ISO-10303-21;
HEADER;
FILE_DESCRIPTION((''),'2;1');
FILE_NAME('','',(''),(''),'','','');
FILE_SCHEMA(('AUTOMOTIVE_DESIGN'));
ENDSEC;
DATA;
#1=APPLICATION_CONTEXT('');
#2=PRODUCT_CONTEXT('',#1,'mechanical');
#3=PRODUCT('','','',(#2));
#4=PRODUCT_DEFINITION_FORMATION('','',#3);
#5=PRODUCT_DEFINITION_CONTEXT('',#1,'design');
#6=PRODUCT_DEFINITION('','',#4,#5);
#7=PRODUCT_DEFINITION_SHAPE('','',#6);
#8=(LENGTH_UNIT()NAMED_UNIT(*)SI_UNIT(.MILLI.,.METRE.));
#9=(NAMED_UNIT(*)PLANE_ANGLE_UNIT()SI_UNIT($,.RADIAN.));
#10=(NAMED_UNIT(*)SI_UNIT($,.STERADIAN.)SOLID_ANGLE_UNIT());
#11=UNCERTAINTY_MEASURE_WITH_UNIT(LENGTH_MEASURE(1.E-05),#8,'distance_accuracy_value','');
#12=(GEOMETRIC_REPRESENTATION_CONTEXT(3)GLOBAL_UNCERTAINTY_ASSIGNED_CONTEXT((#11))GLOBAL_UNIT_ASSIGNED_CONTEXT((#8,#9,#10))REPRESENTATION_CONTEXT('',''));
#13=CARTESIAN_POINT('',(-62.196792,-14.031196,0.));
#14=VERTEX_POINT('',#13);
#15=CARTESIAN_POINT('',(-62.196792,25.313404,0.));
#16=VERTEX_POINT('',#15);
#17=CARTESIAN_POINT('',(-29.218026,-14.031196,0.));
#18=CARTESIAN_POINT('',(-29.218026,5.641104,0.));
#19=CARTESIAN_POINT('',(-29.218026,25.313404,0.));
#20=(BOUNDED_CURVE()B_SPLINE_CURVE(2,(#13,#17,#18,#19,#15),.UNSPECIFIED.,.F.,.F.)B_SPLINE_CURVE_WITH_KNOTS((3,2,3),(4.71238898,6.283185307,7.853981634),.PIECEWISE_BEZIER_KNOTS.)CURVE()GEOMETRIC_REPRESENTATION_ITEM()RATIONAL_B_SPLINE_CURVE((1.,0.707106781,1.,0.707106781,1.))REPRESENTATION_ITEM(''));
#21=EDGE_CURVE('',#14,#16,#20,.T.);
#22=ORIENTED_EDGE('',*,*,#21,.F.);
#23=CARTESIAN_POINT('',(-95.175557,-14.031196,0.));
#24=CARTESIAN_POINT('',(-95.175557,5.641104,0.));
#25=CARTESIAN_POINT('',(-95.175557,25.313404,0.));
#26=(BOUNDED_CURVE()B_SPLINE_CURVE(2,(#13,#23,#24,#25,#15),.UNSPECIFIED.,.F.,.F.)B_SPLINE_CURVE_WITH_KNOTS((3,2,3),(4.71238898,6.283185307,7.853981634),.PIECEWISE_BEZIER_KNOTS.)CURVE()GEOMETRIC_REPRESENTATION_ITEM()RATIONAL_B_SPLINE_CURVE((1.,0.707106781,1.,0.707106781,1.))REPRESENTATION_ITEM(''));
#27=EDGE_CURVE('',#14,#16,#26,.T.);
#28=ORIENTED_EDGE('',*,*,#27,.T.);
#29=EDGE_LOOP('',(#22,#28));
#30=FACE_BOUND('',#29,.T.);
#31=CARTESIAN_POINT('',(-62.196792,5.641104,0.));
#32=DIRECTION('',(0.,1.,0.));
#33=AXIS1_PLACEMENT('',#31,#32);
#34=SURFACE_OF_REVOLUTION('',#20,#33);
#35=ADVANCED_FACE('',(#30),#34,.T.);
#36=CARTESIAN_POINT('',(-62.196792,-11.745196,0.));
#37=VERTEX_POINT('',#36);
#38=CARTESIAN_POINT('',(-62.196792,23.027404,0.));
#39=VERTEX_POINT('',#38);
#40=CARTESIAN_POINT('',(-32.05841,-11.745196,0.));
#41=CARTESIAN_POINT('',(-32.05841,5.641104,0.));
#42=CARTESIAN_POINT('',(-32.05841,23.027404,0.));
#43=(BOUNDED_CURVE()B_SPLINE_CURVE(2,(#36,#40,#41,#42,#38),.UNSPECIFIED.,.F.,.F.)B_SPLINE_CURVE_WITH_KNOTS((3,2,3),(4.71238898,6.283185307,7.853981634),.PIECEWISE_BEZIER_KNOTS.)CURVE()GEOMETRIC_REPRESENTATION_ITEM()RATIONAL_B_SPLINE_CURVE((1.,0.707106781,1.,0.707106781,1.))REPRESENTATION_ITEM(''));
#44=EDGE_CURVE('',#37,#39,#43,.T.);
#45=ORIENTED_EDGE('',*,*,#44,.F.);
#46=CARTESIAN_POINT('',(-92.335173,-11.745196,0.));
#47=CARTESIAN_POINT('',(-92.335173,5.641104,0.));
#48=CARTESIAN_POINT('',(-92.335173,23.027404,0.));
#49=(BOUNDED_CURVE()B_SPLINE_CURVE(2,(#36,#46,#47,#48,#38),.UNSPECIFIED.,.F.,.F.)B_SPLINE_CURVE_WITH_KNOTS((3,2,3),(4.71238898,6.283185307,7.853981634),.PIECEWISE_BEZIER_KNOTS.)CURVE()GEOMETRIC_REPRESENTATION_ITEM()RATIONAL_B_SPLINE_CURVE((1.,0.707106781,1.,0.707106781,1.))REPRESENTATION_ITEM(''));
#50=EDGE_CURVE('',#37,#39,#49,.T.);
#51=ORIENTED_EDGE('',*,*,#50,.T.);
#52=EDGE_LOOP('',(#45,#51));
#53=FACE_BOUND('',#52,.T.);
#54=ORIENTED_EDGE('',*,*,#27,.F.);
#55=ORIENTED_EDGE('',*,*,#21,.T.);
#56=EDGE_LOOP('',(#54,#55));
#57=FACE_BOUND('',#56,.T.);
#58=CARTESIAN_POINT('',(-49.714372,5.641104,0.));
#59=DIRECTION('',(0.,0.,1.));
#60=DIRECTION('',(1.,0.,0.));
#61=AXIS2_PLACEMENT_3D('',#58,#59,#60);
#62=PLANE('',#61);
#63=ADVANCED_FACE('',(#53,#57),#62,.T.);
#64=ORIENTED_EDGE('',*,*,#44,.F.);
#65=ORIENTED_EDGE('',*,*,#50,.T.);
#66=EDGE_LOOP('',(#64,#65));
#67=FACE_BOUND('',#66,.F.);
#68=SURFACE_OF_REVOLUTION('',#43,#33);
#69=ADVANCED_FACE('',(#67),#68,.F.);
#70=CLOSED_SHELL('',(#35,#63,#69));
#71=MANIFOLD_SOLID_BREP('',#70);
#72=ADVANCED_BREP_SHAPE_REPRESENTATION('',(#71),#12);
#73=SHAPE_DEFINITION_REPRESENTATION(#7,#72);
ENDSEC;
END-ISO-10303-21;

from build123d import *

# Parameters (mm, degrees)
F1_ANGLE = 180
F3_ANGLE = 180


with BuildPart() as f1:
    # F0 (on Top) → F1 (revolve)
    with BuildSketch(Plane.XY):
        with BuildLine():
            Line((-62.1967915217, 25.3134039056), (-62.1967915217, -14.0311960944))
            add(Edge.make_bspline(
                [(-62.1967915217, -14.0311960944), (-29.2180259302, -14.0311960944), (-29.2180259302, 5.6411039056), (-29.2180259302, 25.3134039056), (-62.1967915217, 25.3134039056)],
                knots=[4.7123889804, 4.7123889804, 4.7123889804, 6.2831853072, 6.2831853072, 7.853981634, 7.853981634, 7.853981634], degree=2, weights=[1, 0.7071067812, 1, 0.7071067812, 1]))
        make_face()
    revolve(axis=Axis((-62.1967915217, 5.6411039056, 0), (0, 1, 0)), revolution_arc=F1_ANGLE)

    # F2 (on face) → F3 (revolve, cut)
    with BuildSketch(Plane.XY):
        with BuildLine():
            Line((-62.1967915217, 23.0274039056), (-62.1967915217, -11.7451960944))
            add(Edge.make_bspline(
                [(-62.1967915217, -11.7451960944), (-32.0584103465, -11.7451960944), (-32.0584103465, 5.6411039056), (-32.0584103465, 23.0274039056), (-62.1967915217, 23.0274039056)],
                knots=[4.7123889804, 4.7123889804, 4.7123889804, 6.2831853072, 6.2831853072, 7.853981634, 7.853981634, 7.853981634], degree=2, weights=[1, 0.7071067812, 1, 0.7071067812, 1]))
        make_face()
    revolve(axis=Axis((-62.1967915217, 5.6411039056, 0), (0, 1, 0)), revolution_arc=F3_ANGLE, mode=Mode.SUBTRACT)


solid = f1.part
